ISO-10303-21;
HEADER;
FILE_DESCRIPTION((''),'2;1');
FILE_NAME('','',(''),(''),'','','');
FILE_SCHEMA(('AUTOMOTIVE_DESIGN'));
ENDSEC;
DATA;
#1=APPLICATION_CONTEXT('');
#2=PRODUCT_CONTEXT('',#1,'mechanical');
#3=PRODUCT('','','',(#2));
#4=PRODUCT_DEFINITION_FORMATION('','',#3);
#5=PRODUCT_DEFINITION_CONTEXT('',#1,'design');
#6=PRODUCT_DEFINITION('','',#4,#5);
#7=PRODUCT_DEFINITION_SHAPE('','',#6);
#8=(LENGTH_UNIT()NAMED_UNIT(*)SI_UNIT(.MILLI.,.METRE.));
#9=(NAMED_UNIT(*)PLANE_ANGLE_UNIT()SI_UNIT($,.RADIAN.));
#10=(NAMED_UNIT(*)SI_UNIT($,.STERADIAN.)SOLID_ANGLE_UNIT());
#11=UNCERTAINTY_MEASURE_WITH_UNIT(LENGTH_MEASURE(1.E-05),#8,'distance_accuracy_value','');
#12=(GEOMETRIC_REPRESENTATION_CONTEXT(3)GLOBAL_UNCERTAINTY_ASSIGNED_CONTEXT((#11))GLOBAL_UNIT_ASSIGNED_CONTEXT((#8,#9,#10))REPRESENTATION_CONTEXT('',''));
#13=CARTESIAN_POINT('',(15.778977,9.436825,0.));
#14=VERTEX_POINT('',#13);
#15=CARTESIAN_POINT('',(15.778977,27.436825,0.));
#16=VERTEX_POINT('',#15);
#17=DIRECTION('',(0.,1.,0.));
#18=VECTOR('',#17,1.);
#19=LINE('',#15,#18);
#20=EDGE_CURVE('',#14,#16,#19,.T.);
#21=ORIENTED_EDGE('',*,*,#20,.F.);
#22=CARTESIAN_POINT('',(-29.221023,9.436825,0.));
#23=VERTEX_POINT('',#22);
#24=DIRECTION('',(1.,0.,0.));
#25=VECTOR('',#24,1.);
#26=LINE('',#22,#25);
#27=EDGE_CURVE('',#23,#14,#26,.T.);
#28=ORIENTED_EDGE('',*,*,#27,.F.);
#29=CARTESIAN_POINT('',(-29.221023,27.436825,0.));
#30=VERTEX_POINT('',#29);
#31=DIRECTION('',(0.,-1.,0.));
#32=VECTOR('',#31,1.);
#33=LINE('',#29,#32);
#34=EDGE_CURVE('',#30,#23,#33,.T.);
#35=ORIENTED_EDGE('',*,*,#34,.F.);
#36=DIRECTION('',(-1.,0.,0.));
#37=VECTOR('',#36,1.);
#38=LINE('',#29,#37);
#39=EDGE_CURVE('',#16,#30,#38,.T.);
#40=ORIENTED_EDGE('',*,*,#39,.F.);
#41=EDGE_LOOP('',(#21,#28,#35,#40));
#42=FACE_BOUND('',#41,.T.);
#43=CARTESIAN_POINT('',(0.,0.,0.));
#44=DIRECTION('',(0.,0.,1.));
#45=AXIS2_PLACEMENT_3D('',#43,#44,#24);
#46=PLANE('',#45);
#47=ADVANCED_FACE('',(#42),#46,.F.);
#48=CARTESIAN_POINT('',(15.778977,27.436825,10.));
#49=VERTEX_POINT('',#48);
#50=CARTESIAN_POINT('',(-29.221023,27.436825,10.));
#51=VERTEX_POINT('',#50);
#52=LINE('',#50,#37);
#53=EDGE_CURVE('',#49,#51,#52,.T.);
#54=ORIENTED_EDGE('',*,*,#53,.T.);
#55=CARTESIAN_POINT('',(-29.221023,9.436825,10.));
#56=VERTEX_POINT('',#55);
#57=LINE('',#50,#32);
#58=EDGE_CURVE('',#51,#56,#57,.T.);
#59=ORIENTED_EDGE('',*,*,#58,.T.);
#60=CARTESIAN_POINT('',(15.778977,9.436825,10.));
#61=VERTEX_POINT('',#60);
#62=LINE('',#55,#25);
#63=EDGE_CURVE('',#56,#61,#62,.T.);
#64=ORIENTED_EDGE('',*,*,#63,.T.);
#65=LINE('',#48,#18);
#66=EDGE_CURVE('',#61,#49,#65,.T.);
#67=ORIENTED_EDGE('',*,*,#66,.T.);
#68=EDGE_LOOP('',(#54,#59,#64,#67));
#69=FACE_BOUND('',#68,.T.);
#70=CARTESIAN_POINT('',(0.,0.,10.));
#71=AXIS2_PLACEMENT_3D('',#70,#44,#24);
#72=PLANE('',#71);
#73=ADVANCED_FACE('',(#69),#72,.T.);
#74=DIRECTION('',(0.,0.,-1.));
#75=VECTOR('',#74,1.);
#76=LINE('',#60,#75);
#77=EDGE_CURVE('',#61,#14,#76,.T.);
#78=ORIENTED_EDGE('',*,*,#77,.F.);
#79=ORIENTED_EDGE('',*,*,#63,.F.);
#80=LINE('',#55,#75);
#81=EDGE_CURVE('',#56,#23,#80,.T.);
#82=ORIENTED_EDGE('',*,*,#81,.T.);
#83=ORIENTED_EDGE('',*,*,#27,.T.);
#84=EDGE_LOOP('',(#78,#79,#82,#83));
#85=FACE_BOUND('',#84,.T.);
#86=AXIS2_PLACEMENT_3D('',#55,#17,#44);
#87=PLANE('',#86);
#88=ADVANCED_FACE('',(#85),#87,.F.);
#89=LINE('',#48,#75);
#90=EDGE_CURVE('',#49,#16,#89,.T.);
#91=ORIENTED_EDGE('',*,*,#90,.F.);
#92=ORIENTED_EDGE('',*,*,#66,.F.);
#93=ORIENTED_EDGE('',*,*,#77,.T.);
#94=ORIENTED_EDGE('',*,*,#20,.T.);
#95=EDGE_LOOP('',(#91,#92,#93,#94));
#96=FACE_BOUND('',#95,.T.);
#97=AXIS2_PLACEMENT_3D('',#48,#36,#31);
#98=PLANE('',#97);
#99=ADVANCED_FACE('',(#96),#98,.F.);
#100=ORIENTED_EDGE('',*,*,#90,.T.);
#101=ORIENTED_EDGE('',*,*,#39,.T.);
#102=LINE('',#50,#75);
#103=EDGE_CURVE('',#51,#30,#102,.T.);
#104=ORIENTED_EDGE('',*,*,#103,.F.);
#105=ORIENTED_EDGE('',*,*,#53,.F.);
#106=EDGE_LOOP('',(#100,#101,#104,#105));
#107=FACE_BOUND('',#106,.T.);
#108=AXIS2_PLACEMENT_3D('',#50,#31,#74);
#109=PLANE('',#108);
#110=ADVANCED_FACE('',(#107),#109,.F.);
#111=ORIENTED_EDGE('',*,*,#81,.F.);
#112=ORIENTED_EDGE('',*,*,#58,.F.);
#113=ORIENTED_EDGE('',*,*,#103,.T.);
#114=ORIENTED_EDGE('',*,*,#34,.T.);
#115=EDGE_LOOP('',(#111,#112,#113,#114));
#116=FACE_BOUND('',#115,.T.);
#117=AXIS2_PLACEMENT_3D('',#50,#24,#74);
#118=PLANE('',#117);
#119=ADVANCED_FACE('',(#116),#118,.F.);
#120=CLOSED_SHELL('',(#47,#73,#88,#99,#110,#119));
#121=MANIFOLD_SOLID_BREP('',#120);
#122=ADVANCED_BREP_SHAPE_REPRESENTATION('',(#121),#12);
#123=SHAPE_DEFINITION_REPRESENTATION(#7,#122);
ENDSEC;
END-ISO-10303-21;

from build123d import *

# Parameters (mm, degrees)
SKETCH_1_W      = 45
SKETCH_1_H      = 18
EXTRUDE_1_DEPTH = 10


with BuildPart() as part:
    # 草图1 → 凸台-拉伸1 (new body)
    with BuildSketch(Plane.XY):
        with Locations((-6.721022928, 18.436825397)):
            Rectangle(SKETCH_1_W, SKETCH_1_H)
    extrude(amount=EXTRUDE_1_DEPTH)


solid = part.part
